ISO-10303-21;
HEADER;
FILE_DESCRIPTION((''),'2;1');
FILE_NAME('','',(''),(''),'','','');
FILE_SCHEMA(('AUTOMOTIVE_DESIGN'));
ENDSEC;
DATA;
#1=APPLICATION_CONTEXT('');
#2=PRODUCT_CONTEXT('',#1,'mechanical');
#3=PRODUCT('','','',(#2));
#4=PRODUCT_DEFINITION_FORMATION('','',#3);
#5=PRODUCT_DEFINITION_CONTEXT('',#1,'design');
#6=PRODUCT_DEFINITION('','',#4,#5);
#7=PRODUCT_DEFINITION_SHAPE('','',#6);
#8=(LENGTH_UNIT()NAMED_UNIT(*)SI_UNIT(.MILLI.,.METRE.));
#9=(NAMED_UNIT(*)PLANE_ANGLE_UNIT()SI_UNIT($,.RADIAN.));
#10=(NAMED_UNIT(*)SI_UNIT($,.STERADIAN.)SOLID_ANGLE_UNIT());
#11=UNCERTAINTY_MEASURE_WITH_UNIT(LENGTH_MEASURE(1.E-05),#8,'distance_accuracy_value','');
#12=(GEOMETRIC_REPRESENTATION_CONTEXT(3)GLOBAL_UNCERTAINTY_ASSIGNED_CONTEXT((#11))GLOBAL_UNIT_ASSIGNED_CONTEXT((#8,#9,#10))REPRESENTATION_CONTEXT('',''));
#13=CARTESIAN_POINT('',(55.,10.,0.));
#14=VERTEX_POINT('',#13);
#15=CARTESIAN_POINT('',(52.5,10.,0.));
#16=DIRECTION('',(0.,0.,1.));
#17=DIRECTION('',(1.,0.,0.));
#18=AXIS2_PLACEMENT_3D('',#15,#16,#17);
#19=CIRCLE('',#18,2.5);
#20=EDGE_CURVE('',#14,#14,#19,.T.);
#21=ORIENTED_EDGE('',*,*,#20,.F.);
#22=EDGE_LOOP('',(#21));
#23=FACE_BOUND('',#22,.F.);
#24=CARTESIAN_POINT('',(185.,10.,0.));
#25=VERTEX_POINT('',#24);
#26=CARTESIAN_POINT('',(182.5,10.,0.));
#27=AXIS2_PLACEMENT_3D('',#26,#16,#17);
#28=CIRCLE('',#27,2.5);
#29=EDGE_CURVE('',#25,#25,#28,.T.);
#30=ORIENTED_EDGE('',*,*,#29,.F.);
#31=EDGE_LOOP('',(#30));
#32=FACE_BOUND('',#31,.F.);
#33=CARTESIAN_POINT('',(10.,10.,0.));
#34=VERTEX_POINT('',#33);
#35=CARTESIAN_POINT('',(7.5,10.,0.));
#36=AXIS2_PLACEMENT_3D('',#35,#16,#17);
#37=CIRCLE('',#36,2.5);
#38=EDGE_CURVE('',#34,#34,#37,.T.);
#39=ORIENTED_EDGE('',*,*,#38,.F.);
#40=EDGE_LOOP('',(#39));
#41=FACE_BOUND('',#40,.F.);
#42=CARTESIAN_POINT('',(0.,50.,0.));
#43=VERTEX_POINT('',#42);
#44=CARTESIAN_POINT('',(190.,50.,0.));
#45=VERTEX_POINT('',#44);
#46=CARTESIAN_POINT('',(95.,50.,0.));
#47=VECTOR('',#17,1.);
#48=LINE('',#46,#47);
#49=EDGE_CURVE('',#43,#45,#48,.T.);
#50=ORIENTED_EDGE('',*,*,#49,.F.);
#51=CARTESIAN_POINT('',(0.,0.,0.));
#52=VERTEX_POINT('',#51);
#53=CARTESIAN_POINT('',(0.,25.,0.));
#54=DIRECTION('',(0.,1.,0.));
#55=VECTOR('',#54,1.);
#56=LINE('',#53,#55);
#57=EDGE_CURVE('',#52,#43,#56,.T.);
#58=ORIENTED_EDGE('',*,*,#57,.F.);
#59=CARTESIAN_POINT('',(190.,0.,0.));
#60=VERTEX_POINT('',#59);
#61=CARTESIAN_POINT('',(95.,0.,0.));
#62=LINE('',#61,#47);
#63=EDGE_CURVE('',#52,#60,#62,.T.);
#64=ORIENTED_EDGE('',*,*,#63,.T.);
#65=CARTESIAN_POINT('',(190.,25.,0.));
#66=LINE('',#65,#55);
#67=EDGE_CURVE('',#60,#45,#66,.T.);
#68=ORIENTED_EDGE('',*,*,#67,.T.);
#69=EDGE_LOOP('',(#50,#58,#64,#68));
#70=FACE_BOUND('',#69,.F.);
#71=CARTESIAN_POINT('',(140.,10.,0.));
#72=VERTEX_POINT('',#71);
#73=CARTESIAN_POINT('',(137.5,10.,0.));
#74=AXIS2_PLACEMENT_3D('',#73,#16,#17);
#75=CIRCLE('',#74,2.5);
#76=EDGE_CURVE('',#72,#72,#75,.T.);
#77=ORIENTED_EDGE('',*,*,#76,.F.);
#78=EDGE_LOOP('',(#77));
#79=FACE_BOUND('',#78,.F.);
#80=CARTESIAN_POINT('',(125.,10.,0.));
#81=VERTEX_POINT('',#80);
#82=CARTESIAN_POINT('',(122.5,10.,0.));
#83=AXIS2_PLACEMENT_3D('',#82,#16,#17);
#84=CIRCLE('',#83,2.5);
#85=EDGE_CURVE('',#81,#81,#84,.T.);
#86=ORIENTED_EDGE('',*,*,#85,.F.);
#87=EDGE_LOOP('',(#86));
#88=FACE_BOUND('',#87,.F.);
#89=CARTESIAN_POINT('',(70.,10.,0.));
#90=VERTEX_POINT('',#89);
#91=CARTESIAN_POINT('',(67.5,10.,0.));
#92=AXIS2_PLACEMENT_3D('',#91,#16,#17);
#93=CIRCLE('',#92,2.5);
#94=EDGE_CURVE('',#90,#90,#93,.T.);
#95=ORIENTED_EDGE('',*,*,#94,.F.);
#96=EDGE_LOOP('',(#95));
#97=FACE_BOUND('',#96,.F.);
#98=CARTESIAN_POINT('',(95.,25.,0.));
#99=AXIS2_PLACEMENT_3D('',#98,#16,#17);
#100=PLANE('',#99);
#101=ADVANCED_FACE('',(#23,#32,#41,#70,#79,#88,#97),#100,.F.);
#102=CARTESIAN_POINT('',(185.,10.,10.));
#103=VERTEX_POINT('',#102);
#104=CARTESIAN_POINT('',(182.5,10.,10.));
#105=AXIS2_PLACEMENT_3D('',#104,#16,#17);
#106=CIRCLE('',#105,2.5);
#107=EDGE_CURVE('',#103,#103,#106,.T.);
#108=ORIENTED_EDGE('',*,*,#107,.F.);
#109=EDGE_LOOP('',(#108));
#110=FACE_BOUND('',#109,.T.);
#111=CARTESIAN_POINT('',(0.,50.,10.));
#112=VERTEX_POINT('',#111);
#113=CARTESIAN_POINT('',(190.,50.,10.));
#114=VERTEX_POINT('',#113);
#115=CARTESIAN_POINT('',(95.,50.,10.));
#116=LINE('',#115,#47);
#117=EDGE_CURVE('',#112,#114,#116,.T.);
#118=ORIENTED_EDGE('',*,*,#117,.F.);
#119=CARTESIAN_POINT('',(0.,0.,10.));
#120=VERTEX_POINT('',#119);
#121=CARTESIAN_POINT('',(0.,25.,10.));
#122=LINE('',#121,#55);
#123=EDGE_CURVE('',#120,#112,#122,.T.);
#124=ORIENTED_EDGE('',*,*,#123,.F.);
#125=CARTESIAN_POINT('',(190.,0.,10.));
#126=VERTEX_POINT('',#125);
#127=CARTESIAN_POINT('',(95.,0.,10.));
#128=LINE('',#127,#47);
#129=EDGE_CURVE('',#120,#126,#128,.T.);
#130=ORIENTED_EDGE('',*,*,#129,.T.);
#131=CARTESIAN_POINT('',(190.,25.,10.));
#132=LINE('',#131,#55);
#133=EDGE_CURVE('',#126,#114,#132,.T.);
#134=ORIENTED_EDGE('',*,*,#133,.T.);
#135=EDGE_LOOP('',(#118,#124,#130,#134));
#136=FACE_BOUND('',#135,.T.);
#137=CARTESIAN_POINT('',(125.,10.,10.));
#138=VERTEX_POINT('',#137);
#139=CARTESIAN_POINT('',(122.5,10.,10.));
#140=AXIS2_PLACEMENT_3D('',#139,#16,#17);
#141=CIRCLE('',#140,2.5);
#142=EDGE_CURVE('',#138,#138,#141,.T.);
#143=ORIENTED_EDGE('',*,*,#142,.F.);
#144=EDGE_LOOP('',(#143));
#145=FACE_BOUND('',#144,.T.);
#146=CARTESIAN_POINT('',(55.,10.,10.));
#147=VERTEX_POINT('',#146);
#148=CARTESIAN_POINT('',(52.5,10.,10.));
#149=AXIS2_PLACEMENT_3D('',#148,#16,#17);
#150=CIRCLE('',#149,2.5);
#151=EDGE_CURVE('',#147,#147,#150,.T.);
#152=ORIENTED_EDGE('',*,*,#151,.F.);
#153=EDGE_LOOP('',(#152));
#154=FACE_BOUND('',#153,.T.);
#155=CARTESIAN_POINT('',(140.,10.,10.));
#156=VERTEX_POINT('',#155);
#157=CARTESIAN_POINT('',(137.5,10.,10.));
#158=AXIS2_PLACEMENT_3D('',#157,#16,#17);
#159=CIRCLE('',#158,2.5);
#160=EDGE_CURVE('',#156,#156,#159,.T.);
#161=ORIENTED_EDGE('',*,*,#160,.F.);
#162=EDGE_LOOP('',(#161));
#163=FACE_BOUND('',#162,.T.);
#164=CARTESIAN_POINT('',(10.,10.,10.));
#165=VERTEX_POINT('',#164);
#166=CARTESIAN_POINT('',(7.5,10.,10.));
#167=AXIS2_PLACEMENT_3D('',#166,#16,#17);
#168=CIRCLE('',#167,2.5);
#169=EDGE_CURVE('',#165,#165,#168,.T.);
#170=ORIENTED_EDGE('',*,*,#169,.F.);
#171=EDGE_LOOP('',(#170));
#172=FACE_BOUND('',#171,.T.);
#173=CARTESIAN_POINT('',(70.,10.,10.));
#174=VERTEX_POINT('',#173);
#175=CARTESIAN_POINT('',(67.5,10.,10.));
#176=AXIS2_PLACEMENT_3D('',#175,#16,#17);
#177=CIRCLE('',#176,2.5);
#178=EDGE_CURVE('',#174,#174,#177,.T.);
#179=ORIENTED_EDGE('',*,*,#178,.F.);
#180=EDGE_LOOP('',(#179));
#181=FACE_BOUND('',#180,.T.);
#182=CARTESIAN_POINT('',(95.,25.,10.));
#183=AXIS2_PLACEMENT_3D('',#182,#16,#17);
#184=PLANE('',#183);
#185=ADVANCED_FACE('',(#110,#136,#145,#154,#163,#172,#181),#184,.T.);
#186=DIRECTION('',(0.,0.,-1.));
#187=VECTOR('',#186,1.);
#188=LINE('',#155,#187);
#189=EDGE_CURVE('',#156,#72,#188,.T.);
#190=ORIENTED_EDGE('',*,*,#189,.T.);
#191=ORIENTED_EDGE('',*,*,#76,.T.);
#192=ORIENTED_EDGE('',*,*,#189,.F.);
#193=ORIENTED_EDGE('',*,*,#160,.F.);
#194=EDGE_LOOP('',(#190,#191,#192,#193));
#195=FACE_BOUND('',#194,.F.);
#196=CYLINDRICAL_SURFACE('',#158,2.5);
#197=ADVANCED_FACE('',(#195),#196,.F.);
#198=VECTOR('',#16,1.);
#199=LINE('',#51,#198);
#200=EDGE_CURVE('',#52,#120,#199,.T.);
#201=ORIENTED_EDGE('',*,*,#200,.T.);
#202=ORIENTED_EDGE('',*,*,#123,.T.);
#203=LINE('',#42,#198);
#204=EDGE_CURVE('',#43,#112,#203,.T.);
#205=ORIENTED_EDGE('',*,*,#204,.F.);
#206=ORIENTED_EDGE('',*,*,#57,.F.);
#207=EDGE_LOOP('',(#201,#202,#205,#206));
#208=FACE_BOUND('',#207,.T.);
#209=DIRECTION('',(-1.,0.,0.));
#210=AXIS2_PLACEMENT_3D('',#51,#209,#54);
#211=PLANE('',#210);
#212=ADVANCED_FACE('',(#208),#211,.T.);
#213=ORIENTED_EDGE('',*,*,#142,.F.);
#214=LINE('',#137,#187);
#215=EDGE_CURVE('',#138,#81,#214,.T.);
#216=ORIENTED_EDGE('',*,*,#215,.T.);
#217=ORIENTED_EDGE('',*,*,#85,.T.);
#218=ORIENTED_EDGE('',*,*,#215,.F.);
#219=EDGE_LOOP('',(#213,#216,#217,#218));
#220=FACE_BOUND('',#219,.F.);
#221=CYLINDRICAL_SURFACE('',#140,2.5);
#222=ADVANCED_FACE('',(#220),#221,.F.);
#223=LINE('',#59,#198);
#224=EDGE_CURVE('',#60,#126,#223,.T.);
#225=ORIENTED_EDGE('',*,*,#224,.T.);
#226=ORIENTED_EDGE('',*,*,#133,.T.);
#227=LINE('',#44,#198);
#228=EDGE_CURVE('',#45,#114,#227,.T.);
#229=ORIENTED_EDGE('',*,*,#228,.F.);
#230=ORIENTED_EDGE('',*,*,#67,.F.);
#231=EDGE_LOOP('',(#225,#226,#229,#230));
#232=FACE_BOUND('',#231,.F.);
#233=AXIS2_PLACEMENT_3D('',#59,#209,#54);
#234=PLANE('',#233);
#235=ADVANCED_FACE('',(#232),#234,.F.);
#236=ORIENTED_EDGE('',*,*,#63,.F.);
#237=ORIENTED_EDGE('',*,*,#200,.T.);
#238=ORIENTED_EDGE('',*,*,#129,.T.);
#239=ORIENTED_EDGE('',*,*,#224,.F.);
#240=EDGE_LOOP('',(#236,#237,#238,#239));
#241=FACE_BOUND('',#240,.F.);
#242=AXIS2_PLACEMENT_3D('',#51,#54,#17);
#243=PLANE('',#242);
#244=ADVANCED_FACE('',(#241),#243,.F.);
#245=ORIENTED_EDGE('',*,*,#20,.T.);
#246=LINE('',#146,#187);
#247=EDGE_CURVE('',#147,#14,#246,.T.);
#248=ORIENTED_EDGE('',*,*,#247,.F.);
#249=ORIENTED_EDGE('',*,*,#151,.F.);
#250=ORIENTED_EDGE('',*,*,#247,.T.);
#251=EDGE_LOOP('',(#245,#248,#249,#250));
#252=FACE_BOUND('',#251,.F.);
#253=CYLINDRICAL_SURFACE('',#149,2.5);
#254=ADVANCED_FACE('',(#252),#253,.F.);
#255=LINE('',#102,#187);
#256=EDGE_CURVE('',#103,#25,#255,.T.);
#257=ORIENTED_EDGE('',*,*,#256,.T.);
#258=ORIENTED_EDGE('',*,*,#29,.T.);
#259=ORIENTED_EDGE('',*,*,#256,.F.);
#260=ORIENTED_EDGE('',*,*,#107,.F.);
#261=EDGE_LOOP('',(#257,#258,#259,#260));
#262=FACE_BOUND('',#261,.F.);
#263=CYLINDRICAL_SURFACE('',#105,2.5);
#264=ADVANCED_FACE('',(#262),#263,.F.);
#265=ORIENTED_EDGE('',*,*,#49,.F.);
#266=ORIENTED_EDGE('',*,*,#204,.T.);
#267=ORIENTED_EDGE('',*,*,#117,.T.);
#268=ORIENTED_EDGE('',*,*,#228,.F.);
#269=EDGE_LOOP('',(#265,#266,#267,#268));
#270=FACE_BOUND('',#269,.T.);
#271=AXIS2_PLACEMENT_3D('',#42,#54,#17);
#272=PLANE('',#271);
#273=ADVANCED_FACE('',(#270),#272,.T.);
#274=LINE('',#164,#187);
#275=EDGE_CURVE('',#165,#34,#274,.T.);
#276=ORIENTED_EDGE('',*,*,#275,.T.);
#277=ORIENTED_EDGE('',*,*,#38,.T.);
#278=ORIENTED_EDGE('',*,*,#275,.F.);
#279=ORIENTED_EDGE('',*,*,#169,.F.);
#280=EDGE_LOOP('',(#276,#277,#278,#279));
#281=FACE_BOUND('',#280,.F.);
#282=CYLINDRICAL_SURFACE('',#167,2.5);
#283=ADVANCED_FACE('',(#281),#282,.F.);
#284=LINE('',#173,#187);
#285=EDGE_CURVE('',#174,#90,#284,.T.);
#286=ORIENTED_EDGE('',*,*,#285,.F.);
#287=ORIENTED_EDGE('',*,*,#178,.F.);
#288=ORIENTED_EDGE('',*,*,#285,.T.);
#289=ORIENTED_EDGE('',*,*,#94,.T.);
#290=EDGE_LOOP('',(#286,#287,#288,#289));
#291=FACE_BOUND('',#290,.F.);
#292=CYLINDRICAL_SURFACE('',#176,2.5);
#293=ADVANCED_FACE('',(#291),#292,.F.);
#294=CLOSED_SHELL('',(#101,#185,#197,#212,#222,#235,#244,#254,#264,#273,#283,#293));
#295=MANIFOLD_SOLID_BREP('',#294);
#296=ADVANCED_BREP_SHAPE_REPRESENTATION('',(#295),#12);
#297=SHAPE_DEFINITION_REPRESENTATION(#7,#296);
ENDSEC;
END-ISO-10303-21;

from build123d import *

# Parameters (mm, degrees)
SKETCH_W               = 190
SKETCH_H               = 50
PAD_DEPTH              = 10
SKETCH001_R            = 2.5
HOLE_DEPTH             = 10.001
LINEARPATTERN_COUNT    = 2
LINEARPATTERN_PITCH    = 45
LINEARPATTERN001_COUNT = 2
LINEARPATTERN001_PITCH = 60
LINEARPATTERN002_COUNT = 2
LINEARPATTERN002_PITCH = 115
LINEARPATTERN003_COUNT = 2
LINEARPATTERN003_PITCH = 130
LINEARPATTERN004_COUNT = 2
LINEARPATTERN004_PITCH = 175


with BuildPart() as part:
    # Sketch → Pad (new body)
    with BuildSketch(Plane.XY):
        with Locations((95, 25)):
            Rectangle(SKETCH_W, SKETCH_H)
    extrude(amount=PAD_DEPTH)

    # Sketch001 (on Face6 of Pad) → Hole (cut, through all)
    with BuildSketch(Plane.XY.offset(10)):
        with Locations((7.5, 10)):
            Circle(SKETCH001_R)
    hole = extrude(amount=-HOLE_DEPTH, mode=Mode.SUBTRACT)

    # LinearPattern: Hole ×2
    with Locations(*[(i * LINEARPATTERN_PITCH, 0, 0) for i in range(1, LINEARPATTERN_COUNT)]):
        add(hole, mode=Mode.SUBTRACT)

    # LinearPattern001: Hole ×2
    with Locations(*[(i * LINEARPATTERN001_PITCH, 0, 0) for i in range(1, LINEARPATTERN001_COUNT)]):
        add(hole, mode=Mode.SUBTRACT)

    # LinearPattern002: Hole ×2
    with Locations(*[(i * LINEARPATTERN002_PITCH, 0, 0) for i in range(1, LINEARPATTERN002_COUNT)]):
        add(hole, mode=Mode.SUBTRACT)

    # LinearPattern003: Hole ×2
    with Locations(*[(i * LINEARPATTERN003_PITCH, 0, 0) for i in range(1, LINEARPATTERN003_COUNT)]):
        add(hole, mode=Mode.SUBTRACT)

    # LinearPattern004: Hole ×2
    with Locations(*[(i * LINEARPATTERN004_PITCH, 0, 0) for i in range(1, LINEARPATTERN004_COUNT)]):
        add(hole, mode=Mode.SUBTRACT)


solid = part.part
